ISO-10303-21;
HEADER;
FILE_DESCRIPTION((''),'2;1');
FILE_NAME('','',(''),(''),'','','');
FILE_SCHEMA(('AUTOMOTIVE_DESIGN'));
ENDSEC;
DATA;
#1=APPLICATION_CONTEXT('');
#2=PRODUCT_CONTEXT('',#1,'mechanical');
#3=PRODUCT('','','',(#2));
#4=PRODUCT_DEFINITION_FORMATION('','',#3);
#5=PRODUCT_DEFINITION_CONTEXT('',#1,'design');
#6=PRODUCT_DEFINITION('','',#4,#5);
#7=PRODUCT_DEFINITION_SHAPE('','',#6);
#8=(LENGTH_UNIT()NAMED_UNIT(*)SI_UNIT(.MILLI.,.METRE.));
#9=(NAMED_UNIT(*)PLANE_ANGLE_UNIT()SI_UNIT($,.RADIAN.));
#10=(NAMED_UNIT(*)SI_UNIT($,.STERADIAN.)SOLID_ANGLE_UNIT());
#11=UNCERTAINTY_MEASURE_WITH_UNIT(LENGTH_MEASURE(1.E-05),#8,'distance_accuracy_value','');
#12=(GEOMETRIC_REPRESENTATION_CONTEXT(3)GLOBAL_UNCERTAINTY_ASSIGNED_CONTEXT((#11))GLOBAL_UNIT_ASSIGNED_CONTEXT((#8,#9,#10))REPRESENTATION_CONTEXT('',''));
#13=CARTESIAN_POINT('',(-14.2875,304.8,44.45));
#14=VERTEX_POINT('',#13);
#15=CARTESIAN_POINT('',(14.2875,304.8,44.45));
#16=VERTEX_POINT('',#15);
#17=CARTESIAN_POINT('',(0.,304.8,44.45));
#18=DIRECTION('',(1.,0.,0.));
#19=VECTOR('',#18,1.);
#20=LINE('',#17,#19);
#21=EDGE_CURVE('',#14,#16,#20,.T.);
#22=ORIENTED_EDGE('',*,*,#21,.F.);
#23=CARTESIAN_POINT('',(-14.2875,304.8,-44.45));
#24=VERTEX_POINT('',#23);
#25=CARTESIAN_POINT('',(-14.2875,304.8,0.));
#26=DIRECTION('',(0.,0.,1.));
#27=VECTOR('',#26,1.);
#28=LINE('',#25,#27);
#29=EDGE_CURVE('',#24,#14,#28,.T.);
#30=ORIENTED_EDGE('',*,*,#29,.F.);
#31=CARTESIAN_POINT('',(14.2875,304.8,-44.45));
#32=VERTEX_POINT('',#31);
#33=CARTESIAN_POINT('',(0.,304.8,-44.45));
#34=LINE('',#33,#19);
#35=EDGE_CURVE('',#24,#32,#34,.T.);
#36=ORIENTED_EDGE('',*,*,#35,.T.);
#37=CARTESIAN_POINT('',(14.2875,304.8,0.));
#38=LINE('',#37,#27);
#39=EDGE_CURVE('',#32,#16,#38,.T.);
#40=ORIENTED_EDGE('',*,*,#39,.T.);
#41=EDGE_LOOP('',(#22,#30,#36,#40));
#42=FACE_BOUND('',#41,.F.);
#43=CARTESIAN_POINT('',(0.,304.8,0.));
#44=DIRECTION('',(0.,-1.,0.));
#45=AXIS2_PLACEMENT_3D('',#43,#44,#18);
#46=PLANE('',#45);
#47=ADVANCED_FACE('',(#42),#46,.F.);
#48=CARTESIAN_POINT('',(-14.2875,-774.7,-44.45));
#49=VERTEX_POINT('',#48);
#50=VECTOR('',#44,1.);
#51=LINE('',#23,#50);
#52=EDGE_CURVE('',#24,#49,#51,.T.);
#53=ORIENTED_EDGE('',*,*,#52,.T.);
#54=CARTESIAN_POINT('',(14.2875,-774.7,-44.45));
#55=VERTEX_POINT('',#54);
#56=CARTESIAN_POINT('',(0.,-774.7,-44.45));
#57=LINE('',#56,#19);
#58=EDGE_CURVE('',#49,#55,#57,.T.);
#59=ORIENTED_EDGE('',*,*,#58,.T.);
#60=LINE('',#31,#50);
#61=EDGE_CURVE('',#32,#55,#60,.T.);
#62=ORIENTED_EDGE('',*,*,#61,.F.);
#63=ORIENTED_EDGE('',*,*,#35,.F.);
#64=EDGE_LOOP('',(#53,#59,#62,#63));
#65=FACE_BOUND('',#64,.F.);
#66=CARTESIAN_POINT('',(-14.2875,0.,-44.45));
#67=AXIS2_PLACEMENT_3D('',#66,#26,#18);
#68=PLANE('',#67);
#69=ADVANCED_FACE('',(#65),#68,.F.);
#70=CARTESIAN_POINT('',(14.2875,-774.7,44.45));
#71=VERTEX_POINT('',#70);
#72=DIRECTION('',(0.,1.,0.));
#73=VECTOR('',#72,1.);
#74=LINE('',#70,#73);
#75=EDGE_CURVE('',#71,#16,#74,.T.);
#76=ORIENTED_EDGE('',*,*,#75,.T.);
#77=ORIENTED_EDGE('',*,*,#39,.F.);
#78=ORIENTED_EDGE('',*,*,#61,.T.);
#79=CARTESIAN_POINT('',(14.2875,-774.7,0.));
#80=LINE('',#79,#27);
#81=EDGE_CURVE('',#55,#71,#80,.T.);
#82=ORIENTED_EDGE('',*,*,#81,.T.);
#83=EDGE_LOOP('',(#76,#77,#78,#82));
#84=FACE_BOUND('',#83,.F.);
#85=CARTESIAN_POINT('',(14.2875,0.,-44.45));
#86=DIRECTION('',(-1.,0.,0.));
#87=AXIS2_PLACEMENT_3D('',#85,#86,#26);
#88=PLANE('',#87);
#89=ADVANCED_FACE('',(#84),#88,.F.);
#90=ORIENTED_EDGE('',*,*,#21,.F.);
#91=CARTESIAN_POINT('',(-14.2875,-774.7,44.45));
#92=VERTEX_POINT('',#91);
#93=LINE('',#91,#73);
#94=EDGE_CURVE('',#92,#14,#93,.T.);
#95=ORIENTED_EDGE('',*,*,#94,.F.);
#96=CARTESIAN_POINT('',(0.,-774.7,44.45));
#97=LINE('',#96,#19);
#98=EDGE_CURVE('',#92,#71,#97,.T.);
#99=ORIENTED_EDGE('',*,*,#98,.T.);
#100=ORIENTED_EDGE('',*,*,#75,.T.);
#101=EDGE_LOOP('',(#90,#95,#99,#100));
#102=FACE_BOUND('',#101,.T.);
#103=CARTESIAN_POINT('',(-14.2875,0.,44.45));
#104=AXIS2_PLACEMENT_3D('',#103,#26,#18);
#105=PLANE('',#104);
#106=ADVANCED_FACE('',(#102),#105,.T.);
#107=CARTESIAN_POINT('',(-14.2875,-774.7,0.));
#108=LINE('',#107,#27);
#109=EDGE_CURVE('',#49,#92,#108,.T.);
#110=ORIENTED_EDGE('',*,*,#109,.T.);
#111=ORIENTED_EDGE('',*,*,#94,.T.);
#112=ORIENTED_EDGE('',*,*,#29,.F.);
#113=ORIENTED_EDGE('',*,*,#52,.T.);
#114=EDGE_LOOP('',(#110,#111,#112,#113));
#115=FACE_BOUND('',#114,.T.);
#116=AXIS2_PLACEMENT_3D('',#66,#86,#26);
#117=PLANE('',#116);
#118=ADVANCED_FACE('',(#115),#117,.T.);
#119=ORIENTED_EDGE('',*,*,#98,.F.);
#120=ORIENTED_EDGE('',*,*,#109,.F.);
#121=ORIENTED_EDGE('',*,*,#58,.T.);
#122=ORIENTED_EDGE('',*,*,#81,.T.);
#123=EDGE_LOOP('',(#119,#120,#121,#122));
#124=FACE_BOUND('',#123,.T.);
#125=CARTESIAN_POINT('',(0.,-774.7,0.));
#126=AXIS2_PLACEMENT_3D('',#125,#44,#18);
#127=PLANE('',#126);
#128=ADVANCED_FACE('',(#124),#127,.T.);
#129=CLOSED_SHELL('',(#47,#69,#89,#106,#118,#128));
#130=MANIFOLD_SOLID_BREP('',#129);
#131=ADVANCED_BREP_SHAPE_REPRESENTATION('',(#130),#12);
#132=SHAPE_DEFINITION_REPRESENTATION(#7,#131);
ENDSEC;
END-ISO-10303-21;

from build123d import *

# Parameters (mm, degrees)
F0_W          = 28.575
F0_H          = 88.9
F1_DEPTH      = 304.8
F1_DEPTH_BACK = 774.7


with BuildPart() as f1:
    # F0 (on Front) → F1 (new body, two sides)
    with BuildSketch(Plane.XZ) as f1_sk:
        Rectangle(F0_W, F0_H)
    extrude(amount=-F1_DEPTH)
    extrude(f1_sk.sketch, amount=F1_DEPTH_BACK)


solid = f1.part
